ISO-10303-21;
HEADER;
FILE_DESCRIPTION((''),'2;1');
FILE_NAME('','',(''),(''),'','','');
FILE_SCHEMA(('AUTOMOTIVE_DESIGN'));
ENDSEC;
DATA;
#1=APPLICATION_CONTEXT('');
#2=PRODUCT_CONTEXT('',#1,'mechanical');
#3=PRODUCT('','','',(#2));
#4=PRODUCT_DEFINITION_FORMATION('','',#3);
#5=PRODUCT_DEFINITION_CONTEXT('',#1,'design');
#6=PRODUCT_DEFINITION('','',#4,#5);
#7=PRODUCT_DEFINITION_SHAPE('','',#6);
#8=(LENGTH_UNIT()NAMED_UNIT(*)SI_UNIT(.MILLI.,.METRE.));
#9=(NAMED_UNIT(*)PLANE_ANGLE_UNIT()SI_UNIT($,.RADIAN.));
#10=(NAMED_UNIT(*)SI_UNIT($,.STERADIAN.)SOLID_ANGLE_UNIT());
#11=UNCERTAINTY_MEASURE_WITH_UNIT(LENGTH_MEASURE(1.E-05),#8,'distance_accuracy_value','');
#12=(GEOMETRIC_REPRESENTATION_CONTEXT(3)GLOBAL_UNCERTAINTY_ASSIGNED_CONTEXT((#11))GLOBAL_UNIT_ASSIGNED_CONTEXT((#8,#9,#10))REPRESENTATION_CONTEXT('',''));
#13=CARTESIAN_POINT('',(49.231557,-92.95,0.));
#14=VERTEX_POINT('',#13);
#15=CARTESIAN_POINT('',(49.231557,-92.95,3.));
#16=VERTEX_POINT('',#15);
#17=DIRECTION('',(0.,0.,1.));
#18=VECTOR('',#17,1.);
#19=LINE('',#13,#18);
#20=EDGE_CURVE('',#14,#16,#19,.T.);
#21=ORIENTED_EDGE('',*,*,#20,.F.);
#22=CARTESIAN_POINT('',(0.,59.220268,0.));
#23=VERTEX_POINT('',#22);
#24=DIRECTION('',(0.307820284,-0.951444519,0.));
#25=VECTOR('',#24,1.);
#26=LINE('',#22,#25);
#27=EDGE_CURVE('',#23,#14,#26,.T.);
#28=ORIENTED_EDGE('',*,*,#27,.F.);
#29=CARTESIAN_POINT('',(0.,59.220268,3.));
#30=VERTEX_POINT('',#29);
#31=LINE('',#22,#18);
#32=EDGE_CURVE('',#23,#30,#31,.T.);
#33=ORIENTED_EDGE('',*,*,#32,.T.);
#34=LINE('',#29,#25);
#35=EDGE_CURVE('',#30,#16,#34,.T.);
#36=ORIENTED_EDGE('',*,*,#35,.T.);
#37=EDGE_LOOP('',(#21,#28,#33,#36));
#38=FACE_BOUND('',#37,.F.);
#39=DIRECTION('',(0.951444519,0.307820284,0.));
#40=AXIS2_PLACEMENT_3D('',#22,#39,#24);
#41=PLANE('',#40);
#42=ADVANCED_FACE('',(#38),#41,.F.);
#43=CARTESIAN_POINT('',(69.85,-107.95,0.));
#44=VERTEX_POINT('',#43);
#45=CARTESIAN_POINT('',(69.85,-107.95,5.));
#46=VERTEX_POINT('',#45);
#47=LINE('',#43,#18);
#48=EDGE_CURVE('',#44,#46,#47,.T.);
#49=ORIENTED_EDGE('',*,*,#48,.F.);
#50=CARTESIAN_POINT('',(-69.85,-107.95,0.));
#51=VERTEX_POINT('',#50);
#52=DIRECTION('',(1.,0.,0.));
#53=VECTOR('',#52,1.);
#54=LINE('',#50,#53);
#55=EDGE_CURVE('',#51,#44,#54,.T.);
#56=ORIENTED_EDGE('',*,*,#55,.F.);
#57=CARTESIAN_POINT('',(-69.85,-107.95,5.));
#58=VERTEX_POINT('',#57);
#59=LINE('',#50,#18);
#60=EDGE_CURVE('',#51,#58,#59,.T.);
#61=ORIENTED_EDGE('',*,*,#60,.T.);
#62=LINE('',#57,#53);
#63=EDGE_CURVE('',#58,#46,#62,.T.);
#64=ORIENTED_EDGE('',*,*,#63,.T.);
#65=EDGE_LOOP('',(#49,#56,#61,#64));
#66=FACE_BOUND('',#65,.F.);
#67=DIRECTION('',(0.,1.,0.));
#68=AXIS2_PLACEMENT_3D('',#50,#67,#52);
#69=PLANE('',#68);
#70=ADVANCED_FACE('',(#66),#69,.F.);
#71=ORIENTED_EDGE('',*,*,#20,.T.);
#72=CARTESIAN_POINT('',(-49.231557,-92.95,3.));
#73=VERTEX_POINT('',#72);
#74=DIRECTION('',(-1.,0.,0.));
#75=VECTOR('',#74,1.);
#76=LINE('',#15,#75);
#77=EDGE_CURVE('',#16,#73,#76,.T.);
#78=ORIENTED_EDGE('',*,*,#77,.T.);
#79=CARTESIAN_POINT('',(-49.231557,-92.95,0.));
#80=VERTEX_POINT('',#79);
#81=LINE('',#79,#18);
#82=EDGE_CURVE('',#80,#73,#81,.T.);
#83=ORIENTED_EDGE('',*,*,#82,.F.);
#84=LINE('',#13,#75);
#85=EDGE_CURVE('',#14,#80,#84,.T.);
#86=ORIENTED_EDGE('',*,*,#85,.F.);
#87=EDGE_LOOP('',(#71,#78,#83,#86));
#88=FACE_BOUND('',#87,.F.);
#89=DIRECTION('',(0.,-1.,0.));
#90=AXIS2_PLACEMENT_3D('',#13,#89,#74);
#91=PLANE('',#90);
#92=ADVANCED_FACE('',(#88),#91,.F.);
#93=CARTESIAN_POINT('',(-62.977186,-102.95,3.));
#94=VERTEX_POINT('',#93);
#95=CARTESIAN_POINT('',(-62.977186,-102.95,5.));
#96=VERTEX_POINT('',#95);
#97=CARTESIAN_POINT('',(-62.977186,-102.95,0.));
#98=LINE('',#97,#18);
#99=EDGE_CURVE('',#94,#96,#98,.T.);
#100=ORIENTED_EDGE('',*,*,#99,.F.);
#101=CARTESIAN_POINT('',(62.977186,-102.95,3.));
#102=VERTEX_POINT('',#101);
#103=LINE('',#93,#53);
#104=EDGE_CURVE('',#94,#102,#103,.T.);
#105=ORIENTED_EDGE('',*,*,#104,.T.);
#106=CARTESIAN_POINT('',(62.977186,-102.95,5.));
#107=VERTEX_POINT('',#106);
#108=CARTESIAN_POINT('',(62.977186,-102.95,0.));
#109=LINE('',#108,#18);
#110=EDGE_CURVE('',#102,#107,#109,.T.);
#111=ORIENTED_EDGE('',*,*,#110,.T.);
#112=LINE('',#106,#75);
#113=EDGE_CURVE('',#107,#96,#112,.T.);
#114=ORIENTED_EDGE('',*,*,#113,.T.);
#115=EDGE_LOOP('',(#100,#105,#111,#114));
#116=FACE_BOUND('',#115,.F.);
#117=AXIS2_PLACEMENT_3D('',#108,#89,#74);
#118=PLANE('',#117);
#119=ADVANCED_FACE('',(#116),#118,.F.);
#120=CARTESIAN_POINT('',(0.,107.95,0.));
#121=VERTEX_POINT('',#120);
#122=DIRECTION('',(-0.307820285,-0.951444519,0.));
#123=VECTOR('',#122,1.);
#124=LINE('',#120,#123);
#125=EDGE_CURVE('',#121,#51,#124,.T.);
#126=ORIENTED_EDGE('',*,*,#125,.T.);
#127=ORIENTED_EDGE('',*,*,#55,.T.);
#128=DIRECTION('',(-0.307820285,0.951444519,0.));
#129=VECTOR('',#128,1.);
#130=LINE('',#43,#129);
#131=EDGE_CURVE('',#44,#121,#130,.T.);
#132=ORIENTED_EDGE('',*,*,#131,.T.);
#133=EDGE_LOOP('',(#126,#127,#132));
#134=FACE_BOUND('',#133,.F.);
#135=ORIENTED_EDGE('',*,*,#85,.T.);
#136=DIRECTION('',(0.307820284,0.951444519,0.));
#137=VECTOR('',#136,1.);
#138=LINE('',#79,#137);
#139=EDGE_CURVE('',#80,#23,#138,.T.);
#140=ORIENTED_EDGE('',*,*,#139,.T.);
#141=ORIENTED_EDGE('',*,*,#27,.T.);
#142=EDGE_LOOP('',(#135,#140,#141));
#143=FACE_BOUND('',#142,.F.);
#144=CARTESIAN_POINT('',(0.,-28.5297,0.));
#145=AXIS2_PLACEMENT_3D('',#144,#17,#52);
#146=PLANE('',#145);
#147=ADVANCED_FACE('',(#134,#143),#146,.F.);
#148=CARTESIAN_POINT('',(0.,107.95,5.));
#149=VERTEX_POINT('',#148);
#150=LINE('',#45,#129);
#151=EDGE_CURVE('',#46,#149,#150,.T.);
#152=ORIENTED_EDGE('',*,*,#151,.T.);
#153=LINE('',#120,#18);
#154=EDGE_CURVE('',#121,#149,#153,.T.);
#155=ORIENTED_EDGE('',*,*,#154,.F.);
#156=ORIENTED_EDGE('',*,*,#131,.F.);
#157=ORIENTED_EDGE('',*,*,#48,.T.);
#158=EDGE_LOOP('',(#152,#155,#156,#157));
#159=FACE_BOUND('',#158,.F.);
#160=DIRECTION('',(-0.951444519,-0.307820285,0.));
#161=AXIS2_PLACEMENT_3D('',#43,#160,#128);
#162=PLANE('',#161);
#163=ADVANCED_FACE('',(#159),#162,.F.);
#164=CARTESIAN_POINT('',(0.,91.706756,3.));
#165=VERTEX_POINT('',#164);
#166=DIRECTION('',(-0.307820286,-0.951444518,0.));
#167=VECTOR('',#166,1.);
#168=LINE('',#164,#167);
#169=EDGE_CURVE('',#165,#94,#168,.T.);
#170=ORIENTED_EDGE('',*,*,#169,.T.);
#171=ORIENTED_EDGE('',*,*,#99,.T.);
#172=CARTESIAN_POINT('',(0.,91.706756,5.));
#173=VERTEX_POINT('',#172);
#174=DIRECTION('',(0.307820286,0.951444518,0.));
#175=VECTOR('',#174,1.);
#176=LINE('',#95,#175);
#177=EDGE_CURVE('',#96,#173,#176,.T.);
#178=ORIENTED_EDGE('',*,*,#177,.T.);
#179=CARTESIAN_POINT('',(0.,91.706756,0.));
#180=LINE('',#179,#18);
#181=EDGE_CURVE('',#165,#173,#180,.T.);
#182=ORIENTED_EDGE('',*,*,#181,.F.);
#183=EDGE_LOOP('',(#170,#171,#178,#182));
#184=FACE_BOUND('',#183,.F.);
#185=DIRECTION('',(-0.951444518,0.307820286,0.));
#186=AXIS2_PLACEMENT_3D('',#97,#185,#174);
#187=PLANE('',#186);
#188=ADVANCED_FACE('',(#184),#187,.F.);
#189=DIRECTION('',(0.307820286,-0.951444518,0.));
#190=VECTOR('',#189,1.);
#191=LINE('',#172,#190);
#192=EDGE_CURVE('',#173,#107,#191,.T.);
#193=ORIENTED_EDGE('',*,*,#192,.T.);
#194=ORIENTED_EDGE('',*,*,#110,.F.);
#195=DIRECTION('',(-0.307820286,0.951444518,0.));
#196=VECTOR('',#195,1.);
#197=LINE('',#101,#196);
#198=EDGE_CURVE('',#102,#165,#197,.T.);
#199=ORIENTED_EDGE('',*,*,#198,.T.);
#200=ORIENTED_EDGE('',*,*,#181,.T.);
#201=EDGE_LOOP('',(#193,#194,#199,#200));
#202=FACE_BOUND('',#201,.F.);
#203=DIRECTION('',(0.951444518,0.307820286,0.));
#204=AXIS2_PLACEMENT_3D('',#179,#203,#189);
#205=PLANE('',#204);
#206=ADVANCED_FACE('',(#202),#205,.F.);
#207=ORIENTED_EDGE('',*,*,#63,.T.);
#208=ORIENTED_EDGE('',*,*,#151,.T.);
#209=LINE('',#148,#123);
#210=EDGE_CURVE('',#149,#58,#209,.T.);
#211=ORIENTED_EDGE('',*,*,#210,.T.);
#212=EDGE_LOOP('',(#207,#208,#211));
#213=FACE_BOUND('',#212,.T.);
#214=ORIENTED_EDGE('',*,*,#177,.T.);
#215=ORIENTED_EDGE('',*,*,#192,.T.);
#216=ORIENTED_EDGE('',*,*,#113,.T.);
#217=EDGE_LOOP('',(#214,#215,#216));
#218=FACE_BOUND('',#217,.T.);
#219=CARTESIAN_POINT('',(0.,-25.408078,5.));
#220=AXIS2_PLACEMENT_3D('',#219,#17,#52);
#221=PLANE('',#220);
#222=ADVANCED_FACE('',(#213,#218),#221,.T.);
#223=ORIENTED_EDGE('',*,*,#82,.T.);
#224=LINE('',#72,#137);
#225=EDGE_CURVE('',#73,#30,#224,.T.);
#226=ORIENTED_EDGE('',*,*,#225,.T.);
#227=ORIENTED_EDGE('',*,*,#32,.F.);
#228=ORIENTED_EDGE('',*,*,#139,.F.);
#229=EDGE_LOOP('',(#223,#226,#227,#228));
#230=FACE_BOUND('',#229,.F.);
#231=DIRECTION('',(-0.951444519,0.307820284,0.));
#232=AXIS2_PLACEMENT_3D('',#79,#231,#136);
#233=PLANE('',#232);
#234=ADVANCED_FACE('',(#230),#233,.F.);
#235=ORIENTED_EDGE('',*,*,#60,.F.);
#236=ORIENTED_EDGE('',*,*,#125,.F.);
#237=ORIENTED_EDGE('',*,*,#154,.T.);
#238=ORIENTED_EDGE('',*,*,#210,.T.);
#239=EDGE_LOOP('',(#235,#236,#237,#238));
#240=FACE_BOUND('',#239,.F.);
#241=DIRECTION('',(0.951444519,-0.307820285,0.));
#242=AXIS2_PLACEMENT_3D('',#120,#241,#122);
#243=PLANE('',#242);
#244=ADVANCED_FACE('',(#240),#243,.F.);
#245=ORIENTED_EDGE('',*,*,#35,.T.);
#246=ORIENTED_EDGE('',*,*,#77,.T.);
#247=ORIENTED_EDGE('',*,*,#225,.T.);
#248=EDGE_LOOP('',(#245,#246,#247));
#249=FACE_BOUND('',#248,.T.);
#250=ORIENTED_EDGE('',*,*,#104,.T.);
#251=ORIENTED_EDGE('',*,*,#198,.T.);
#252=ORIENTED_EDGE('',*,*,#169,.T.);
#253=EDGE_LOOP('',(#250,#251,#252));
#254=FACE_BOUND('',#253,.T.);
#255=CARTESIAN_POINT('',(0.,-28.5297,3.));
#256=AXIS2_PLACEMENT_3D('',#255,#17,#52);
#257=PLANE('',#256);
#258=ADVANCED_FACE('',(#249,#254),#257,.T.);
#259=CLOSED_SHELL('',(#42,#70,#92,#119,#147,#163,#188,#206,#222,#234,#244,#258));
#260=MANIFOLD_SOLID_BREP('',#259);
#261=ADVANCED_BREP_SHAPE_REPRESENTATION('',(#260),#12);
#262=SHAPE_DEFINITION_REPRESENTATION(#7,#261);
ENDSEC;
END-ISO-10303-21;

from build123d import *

# Parameters (mm, degrees)
F1_DEPTH = 5
F2_DEPTH = 3


with BuildPart() as f1:
    # F0 (on Top) → F1 (new body)
    with BuildSketch(Plane.XY):
        Polygon((0, 107.95), (-69.85, -107.95), (69.85, -107.95), align=None)
        Polygon((62.977186, -102.95), (-62.977186, -102.95), (0, 91.706756), align=None, mode=Mode.SUBTRACT)
    extrude(amount=F1_DEPTH)

    # F0 (on Top) → F2 (join)
    with BuildSketch(Plane.XY):
        Polygon((0, 91.706756), (-62.977186, -102.95), (62.977186, -102.95), align=None)
        Polygon((-49.231557, -92.95), (0, 59.220268), (49.231557, -92.95), align=None, mode=Mode.SUBTRACT)
    extrude(amount=F2_DEPTH)


solid = f1.part
